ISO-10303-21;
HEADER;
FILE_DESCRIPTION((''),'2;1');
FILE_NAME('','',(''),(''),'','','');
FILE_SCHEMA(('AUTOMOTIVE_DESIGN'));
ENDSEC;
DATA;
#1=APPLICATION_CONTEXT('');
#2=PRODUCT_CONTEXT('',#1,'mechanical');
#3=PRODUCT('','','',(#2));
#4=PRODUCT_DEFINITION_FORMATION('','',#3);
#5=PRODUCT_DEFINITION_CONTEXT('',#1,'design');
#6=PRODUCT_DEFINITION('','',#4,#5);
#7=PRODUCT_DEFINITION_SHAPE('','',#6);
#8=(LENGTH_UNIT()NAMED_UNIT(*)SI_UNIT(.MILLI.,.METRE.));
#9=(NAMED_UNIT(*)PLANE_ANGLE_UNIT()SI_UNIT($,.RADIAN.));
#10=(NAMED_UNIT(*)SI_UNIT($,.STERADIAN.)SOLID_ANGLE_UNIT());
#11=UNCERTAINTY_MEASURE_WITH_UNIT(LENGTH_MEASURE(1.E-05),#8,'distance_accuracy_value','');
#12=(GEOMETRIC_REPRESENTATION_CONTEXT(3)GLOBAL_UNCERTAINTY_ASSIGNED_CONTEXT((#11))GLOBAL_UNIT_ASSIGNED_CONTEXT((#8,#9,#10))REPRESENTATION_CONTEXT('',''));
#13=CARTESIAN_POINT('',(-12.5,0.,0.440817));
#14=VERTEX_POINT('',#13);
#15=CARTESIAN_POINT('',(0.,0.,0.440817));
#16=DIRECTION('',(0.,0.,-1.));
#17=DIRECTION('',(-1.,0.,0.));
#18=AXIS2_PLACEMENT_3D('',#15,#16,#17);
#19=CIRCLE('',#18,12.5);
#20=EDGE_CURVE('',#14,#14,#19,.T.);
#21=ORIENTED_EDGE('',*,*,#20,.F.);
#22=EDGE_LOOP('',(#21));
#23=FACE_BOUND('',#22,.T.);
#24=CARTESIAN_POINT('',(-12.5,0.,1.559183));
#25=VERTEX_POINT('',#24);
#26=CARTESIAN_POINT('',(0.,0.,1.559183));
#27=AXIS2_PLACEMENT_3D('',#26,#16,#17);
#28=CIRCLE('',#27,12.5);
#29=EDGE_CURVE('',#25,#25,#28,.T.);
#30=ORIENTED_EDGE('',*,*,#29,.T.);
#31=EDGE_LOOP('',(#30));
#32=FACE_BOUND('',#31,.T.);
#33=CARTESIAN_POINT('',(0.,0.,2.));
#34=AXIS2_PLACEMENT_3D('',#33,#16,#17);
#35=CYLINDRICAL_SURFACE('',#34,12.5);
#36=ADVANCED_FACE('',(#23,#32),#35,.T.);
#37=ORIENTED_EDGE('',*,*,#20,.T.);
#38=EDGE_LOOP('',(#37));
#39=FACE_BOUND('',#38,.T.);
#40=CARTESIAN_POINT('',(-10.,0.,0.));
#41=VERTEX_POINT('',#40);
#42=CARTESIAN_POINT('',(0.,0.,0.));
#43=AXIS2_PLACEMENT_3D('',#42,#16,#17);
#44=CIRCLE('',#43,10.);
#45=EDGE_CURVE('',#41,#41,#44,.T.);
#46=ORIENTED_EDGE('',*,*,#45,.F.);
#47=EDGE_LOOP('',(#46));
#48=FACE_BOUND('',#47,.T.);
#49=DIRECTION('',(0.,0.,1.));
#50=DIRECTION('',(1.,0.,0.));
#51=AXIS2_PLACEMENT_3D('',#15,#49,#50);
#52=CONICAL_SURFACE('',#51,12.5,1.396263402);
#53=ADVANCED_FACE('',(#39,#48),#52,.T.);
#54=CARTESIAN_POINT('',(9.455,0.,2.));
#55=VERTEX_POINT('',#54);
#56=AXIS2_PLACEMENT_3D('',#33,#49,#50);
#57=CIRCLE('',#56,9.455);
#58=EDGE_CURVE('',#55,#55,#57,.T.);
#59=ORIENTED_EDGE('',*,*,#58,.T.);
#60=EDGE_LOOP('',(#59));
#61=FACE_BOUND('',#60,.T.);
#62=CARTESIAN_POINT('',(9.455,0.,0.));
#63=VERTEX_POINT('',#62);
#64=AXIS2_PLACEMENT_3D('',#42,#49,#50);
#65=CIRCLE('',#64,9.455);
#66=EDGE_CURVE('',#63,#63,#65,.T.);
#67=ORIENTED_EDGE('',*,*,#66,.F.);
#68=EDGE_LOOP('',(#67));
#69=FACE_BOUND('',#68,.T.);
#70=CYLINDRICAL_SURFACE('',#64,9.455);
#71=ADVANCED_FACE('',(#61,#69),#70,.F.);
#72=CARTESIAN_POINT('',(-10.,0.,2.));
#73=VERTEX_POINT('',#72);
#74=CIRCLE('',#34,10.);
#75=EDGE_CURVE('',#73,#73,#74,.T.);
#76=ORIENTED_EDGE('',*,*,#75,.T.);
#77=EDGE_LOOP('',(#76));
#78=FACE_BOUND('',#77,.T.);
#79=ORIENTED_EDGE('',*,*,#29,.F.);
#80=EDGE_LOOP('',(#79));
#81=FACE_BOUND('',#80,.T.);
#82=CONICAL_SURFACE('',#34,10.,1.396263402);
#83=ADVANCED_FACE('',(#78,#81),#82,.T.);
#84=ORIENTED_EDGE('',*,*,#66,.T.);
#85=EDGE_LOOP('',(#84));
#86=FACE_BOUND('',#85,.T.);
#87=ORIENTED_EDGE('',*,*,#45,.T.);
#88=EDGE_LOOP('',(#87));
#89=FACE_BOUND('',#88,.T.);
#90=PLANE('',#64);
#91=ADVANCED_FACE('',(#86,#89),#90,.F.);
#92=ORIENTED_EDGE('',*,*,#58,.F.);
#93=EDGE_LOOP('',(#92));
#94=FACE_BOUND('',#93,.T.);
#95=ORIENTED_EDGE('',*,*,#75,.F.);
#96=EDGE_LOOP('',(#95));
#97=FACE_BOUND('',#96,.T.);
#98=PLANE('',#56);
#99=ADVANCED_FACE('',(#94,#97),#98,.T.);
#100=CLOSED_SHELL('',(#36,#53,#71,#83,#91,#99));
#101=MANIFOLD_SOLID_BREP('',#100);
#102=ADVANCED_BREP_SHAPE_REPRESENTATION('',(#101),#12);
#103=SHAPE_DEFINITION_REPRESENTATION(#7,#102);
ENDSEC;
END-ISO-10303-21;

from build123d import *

# Parameters (mm, degrees)
SKETCH1_R           = 12.5
BOSS_EXTRUDE1_DEPTH = 2
SKETCH2_R           = 9.455
CUT_EXTRUDE1_DEPTH  = 2


with BuildPart() as part:
    # Sketch1 → Boss-Extrude1 (new body)
    with BuildSketch(Plane.XY):
        Circle(SKETCH1_R)
    extrude(amount=BOSS_EXTRUDE1_DEPTH)

    # Sketch2 → Cut-Extrude1 (cut)
    with BuildSketch(Plane.XY.offset(2)):
        Circle(SKETCH2_R)
    extrude(amount=-CUT_EXTRUDE1_DEPTH, mode=Mode.SUBTRACT)

    # Sketch3 → Cut-Revolve1 (revolve, cut)
    with BuildSketch(Plane(origin=(0, 0, 0), x_dir=(0, 0, -1), z_dir=(1, 0, 0)), mode=Mode.PRIVATE) as cut_revolve1_sk:
        Polygon((-2, 10), (-1.559182548, 12.5), (-2, 12.5), align=None)
        Polygon((-0.440817452, 12.5), (0, 12.5), (0, 10), align=None)
    revolve(cut_revolve1_sk.sketch.rotate(Axis((0, 0, -0.1), (0, 0, 1)), 90), axis=Axis((0, 0, -0.1), (0, 0, 1)), mode=Mode.SUBTRACT)


solid = part.part
